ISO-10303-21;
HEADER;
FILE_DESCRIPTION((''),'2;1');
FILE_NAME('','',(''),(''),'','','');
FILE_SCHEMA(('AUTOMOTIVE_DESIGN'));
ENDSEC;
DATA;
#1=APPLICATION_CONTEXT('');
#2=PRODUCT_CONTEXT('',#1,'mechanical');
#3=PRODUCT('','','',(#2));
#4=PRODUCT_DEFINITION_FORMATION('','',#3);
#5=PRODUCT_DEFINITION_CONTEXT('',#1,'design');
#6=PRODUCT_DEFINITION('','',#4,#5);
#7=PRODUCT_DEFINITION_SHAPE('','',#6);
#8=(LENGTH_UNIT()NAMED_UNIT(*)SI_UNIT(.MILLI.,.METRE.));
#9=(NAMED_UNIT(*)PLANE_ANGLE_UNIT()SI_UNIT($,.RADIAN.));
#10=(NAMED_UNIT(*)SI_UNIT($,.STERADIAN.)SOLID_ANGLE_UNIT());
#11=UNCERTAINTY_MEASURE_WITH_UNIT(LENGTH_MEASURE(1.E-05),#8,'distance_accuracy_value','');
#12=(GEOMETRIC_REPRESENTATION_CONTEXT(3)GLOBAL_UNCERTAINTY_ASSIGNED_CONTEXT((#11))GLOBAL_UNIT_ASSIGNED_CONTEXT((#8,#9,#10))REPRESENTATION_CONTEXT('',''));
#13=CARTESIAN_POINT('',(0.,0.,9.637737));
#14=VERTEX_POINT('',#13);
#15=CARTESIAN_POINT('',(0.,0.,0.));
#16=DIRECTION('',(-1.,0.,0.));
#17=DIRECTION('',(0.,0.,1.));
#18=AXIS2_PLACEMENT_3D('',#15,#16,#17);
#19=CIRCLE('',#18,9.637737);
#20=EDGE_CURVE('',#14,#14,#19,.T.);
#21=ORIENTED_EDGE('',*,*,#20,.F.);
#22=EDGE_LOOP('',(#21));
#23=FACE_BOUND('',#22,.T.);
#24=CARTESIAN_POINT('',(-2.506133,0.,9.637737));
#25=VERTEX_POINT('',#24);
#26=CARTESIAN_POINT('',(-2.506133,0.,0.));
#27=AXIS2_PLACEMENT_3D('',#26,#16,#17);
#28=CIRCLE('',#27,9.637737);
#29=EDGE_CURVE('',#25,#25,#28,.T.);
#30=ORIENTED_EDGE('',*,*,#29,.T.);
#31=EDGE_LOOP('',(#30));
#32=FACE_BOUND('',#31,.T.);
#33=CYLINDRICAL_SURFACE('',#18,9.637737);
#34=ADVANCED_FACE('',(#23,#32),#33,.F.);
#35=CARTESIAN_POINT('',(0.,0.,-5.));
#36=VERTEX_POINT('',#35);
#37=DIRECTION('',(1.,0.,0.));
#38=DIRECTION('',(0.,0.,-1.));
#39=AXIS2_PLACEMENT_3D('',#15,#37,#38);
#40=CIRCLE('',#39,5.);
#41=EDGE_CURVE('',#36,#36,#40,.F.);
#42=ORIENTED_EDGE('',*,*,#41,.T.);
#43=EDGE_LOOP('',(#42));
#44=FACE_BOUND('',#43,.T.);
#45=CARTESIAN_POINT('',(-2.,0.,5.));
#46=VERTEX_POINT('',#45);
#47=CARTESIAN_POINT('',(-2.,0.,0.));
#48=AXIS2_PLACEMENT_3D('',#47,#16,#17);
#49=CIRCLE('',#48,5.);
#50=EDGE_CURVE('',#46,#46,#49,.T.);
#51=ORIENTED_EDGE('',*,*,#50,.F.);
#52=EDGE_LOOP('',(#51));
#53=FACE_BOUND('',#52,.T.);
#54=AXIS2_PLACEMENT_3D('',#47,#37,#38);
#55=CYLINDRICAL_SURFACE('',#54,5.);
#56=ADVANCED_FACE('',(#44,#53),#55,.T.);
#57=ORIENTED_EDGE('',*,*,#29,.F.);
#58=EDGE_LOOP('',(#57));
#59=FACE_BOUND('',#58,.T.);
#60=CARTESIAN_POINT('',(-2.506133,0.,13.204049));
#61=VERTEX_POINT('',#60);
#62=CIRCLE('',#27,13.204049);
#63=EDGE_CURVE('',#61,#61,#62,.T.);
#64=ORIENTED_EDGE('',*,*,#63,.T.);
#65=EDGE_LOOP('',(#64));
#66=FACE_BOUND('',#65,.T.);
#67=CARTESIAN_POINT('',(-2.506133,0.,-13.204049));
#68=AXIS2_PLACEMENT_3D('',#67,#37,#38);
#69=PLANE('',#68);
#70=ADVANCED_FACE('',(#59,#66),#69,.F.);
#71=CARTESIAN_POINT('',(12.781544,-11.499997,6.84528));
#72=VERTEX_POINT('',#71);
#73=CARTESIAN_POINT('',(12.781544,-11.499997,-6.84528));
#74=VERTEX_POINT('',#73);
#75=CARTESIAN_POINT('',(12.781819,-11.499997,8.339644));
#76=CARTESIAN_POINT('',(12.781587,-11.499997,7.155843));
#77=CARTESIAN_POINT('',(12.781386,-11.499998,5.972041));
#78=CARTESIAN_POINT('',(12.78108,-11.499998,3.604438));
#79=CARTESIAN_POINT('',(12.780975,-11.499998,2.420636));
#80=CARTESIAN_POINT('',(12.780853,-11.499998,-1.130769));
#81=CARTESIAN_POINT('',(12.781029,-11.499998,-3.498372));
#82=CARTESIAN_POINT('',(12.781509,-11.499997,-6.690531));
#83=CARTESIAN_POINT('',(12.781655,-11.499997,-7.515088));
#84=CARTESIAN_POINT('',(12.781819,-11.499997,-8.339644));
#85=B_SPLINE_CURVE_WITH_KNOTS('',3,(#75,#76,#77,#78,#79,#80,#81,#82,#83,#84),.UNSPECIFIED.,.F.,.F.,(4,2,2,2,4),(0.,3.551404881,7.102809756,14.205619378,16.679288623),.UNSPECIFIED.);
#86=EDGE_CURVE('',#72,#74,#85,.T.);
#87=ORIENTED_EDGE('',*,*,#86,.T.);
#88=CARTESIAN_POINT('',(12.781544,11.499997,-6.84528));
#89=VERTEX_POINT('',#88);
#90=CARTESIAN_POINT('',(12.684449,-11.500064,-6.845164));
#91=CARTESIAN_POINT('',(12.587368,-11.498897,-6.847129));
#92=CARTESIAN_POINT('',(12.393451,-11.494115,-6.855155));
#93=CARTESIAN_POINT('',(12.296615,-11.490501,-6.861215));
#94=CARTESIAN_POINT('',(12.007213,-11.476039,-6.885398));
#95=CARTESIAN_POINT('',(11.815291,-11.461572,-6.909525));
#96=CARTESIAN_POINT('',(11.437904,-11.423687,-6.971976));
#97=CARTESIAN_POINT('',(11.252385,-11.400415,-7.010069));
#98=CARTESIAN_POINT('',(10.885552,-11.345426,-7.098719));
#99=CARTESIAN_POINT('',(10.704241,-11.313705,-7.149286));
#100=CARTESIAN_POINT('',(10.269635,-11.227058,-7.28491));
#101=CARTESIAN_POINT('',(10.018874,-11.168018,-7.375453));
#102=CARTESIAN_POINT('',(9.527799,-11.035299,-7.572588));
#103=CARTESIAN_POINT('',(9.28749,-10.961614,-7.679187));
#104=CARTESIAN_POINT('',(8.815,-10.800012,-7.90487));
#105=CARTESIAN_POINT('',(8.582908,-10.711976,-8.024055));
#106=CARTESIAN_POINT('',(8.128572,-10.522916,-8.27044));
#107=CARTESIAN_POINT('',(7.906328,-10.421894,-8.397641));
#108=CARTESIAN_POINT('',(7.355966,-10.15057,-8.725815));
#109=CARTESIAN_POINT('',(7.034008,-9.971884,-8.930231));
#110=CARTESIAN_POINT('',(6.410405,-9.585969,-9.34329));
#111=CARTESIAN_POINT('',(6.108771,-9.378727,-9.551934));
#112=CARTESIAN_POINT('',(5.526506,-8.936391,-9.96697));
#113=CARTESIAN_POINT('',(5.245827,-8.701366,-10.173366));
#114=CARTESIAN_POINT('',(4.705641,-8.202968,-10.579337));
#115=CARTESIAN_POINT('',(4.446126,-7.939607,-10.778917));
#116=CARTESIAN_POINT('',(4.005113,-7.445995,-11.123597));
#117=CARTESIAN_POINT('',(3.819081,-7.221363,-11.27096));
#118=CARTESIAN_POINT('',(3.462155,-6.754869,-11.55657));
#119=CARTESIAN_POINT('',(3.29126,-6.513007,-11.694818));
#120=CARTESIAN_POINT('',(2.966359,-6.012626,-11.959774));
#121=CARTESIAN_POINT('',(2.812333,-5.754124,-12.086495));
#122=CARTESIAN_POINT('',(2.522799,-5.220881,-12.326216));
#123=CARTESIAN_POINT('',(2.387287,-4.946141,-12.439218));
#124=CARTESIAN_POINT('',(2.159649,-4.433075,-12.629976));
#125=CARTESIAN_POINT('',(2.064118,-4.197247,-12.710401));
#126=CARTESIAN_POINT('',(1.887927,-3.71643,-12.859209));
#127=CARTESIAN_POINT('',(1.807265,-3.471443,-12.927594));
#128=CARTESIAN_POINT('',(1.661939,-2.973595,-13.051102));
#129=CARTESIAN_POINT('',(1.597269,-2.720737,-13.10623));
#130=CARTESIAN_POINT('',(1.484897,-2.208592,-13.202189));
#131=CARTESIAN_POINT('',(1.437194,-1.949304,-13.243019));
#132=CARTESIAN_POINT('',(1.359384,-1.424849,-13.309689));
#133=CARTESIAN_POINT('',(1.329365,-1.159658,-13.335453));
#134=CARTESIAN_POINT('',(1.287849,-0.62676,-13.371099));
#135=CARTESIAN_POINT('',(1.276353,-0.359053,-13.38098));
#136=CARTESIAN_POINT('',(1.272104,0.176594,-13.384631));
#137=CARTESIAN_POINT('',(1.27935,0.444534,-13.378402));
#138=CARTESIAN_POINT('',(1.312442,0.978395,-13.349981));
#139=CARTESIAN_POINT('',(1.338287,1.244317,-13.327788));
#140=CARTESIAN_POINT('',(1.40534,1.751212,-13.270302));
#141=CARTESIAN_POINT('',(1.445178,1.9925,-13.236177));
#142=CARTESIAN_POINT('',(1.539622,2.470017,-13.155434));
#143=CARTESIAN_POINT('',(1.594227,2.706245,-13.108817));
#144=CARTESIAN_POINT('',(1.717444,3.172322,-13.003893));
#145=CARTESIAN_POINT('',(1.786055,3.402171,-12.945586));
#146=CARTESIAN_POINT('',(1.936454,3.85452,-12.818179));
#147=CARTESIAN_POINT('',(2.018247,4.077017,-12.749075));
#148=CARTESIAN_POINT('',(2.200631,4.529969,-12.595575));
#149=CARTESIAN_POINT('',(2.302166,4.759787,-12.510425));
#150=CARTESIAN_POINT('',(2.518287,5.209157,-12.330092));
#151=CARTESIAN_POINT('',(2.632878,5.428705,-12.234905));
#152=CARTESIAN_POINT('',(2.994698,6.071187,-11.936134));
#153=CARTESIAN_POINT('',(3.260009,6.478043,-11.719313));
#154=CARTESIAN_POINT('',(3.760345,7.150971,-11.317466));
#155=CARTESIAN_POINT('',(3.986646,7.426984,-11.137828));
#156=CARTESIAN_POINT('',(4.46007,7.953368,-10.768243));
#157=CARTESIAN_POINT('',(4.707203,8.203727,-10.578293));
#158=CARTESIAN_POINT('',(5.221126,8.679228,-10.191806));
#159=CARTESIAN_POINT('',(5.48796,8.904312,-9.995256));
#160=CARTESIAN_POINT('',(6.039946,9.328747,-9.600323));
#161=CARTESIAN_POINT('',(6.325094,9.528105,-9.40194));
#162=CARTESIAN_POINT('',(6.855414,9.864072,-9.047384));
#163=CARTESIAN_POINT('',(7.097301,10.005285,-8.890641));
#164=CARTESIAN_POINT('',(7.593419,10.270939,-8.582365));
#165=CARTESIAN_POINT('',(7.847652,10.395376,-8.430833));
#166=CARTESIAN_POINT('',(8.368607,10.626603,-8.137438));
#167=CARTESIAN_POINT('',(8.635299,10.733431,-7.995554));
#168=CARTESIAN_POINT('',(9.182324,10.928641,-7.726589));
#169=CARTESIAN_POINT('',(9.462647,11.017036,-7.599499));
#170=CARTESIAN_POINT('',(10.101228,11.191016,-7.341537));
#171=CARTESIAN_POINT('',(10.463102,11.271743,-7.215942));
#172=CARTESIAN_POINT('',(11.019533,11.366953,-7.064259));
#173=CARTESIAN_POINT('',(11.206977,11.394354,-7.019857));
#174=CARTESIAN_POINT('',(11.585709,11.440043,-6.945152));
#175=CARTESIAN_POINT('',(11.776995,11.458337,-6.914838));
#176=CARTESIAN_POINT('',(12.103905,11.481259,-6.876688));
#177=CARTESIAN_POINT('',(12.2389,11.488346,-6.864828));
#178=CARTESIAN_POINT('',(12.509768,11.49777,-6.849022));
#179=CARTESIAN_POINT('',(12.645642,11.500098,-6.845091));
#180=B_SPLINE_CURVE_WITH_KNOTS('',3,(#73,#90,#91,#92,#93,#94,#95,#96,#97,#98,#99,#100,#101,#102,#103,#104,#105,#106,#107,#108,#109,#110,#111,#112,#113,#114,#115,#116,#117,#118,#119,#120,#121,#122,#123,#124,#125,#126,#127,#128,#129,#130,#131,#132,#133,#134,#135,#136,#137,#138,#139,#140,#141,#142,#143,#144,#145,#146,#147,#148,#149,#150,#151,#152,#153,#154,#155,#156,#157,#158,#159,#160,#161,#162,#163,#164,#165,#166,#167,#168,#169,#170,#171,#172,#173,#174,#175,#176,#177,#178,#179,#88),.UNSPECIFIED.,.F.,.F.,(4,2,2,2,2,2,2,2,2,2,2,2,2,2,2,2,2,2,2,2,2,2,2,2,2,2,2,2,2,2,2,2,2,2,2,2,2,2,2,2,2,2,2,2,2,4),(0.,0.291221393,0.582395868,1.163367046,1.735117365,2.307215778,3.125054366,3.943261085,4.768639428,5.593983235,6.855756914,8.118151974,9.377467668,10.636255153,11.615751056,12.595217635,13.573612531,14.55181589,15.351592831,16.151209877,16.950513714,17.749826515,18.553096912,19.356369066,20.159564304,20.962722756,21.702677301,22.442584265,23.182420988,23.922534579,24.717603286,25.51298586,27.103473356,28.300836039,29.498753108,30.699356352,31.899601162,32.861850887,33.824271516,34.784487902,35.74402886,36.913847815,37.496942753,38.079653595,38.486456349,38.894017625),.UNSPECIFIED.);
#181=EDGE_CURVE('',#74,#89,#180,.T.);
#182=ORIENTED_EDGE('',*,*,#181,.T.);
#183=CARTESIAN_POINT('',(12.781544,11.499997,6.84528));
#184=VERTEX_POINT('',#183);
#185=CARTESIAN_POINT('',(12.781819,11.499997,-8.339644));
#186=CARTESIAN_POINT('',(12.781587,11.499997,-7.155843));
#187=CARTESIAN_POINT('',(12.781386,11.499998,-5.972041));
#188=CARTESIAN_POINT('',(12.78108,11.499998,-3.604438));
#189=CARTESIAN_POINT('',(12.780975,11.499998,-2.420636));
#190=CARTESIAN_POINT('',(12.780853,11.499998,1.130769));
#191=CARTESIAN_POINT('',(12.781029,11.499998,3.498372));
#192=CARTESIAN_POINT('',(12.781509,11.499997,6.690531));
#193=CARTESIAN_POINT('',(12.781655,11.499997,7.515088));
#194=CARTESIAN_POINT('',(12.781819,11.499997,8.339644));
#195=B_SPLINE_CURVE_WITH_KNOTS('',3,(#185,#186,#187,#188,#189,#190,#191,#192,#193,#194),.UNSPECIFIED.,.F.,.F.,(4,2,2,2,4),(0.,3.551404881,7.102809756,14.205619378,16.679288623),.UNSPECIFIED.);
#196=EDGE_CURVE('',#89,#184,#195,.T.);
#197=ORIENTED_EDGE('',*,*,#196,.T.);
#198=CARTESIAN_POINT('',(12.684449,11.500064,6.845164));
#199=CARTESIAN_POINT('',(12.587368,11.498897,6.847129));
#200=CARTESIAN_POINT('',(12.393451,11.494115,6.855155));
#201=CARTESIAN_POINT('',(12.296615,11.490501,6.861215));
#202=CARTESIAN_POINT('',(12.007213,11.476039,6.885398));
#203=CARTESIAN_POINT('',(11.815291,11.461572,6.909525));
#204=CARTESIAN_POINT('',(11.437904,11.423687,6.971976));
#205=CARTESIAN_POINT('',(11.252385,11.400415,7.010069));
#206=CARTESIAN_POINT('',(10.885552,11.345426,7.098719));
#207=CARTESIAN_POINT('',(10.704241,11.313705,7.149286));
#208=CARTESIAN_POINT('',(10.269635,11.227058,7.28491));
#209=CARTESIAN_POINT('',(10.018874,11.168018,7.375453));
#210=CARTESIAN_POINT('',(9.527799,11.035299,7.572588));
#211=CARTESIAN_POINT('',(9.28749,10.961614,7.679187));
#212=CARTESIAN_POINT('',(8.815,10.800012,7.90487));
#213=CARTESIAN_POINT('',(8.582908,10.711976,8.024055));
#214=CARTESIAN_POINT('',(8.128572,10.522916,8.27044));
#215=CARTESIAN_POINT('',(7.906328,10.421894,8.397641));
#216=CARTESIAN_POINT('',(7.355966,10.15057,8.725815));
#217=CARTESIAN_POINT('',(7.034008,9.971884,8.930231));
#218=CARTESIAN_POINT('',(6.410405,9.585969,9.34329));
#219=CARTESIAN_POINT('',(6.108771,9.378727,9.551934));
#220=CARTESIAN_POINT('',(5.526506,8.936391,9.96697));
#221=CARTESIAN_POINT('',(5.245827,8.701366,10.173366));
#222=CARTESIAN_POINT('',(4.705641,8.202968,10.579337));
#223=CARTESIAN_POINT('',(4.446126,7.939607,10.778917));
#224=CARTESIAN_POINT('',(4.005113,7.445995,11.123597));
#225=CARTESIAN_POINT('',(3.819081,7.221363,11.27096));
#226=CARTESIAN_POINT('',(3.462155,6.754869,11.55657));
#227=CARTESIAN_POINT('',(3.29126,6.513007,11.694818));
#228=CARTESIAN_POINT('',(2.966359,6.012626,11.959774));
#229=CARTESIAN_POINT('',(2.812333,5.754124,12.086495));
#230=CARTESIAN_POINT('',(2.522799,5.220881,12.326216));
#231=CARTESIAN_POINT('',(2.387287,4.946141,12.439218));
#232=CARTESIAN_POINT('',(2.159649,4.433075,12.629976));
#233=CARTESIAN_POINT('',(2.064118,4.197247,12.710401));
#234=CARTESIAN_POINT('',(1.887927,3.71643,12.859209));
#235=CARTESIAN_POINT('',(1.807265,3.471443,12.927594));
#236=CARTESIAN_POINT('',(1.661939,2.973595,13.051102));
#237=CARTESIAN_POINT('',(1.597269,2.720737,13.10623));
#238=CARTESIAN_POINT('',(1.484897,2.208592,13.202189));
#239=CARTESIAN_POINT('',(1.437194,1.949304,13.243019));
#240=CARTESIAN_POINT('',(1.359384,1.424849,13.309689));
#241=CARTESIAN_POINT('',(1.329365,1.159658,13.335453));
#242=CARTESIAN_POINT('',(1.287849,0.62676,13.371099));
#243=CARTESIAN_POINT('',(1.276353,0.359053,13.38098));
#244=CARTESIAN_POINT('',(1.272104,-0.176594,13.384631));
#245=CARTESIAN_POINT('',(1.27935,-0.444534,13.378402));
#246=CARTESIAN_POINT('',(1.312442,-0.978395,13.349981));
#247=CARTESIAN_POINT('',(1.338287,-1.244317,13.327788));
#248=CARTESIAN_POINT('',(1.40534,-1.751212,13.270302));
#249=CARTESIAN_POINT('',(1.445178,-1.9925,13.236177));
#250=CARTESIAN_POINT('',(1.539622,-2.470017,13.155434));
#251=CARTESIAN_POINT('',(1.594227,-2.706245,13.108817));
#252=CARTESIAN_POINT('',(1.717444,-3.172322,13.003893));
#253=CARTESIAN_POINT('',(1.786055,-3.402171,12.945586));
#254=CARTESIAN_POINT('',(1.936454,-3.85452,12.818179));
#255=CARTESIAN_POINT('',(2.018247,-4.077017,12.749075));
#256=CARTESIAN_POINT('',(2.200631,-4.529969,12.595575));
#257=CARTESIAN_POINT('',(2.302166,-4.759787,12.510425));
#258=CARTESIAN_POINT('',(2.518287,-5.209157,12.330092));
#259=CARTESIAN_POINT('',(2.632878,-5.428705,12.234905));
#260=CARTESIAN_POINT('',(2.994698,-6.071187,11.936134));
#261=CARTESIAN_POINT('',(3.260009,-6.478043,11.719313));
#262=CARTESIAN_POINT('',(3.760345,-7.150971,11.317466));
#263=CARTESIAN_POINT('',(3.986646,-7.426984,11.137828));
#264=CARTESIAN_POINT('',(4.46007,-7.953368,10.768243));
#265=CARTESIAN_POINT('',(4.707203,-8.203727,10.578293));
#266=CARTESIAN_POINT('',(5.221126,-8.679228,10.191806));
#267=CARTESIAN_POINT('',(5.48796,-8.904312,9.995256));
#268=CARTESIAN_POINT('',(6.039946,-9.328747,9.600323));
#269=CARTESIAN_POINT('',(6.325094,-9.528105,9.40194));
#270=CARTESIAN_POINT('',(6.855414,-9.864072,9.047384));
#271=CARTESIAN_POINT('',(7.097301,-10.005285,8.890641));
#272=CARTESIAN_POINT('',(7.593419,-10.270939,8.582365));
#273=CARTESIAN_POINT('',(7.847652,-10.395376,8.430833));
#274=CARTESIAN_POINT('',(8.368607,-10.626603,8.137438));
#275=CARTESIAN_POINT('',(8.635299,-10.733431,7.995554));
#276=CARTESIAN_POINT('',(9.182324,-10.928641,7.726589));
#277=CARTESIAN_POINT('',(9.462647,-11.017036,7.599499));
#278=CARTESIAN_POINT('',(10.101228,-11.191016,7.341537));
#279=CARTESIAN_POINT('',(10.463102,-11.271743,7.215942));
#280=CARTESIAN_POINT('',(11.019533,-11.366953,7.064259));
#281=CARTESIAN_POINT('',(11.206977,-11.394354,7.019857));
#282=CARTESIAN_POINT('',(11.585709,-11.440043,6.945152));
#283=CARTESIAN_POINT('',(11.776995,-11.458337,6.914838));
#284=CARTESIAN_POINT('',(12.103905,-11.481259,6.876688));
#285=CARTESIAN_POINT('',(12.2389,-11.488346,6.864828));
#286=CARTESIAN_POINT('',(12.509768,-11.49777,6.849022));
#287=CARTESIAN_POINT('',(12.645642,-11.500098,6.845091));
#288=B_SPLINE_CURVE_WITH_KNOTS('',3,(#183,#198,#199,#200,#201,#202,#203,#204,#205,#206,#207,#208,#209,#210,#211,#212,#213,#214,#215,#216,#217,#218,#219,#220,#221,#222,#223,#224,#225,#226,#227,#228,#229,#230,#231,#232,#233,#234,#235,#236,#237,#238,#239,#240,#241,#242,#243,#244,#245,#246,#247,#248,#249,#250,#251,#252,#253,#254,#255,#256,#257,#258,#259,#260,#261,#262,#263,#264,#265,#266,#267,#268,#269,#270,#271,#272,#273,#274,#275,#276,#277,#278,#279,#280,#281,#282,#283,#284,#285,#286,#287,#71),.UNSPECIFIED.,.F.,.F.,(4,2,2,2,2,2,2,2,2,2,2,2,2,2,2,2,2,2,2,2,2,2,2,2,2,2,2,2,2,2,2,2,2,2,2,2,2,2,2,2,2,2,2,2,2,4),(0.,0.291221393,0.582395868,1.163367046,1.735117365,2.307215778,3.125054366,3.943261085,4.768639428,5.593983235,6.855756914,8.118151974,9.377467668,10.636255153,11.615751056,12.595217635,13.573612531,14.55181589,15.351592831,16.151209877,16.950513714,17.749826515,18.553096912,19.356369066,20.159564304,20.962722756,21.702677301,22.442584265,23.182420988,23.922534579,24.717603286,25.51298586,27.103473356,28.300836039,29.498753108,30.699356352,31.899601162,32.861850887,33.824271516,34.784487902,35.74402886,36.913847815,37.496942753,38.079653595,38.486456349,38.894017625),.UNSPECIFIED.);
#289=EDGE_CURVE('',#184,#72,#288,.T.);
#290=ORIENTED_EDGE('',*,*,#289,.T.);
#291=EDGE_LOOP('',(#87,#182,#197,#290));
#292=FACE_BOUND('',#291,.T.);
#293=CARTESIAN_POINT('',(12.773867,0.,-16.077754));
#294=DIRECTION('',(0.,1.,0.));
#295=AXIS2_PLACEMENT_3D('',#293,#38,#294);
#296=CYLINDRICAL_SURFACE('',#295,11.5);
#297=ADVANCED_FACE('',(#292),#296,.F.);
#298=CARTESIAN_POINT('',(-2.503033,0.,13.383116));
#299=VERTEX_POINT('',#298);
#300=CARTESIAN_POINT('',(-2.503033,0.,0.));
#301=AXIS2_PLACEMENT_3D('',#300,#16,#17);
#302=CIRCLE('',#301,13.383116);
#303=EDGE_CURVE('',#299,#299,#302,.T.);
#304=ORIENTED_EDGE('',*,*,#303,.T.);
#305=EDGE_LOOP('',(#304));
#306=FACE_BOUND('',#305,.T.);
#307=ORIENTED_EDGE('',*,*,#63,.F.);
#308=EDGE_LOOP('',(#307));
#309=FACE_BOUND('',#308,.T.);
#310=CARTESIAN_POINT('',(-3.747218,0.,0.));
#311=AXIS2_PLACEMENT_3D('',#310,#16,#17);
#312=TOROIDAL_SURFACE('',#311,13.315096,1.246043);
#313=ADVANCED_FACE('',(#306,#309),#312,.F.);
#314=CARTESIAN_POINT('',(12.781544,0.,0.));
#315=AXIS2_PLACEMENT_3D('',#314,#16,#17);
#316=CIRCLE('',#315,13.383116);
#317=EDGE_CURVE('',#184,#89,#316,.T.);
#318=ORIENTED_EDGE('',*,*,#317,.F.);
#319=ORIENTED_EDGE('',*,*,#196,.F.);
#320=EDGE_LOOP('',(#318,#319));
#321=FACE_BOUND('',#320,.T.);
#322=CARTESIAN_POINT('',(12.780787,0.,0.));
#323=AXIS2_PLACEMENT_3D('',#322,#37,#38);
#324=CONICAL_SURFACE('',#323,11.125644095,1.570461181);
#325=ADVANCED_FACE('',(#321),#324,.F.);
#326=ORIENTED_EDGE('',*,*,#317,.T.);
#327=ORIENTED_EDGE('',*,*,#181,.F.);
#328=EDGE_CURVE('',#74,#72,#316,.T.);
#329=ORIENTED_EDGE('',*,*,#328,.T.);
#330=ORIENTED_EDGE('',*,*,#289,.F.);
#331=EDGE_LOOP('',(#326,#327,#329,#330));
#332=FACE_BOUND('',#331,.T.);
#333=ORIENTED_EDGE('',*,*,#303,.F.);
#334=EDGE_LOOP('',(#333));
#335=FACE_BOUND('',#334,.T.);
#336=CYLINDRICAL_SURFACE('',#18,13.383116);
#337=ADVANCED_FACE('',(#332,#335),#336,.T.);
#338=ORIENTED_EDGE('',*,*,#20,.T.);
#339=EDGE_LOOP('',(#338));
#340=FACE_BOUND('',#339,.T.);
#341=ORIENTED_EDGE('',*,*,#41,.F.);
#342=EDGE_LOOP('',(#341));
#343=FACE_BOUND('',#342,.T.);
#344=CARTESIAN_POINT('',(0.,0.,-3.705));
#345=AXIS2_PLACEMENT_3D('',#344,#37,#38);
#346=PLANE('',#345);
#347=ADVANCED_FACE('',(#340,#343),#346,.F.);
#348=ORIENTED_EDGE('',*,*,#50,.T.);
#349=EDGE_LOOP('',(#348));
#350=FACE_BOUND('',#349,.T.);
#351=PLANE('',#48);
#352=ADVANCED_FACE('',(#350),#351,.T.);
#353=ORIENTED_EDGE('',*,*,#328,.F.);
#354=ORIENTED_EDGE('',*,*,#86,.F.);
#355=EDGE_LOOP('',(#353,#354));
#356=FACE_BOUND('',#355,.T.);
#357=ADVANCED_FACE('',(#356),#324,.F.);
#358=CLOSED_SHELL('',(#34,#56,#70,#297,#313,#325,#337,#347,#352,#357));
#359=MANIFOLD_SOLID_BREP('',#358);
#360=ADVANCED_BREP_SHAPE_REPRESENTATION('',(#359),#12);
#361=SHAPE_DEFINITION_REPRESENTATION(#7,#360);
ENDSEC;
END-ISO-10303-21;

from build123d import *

# Parameters (mm, degrees)
SKETCH5_R           = 5
BOSS_EXTRUDE2_DEPTH = 2


with BuildPart() as part:
    # Sketch1 → Revolve1 (revolve)
    with BuildSketch(Plane(origin=(0, 0, 0), x_dir=(1, 0, 0), z_dir=(0, 1, 0))):
        with BuildLine():
            Line((12.781543507, 13.383116119), (-2.50303312, 13.383116119))
            ThreePointArc((-2.50303312, 13.383116119), (-2.501361875, 13.293526957), (-2.506133274, 13.204049335))
            Line((-2.506133274, 13.204049335), (-2.506133274, 9.63773694))
            Line((-2.506133274, 9.63773694), (0, 9.63773694))
            Line((0, 9.63773694), (0, 3.705))
            Line((0, 3.705), (0, 0))
            Line((0, 0), (4.789576981, 0))
            Line((4.789576981, 0), (4.808638309, 3.705))
            ThreePointArc((4.808638309, 3.705), (5.009621244, 3.664180843), (5.185678757, 3.558994837))
            ThreePointArc((5.185678757, 3.558994837), (7.965698705, 8.014106646), (12.465543511, 10.721121396))
            ThreePointArc((12.465543511, 10.721121396), (12.633558311, 10.915283437), (12.780786925, 11.125644095))
            Line((12.780786925, 11.125644095), (12.781543507, 13.383116119))
        make_face()
    revolve(axis=Axis((0, 0, 0), (1, 0, 0)))

    # Sketch2 → Revolved-Cut2 (revolve, cut)
    with BuildSketch(Plane.ZY.offset(-12.773866726)):
        Polygon((13.385193973, 0), (-13.385193973, 0), (-16.077753665, 0), (-16.077753665, 11.5), (15.518432284, 11.5), (15.518432284, 0), align=None)
    revolve(axis=Axis((12.773866726, 0, -16.077753665), (0, 0, 1)), mode=Mode.SUBTRACT)

    # Sketch5 → Boss-Extrude2 (add)
    with BuildSketch(Plane.ZY):
        Circle(SKETCH5_R)
    extrude(amount=BOSS_EXTRUDE2_DEPTH)


solid = part.part
